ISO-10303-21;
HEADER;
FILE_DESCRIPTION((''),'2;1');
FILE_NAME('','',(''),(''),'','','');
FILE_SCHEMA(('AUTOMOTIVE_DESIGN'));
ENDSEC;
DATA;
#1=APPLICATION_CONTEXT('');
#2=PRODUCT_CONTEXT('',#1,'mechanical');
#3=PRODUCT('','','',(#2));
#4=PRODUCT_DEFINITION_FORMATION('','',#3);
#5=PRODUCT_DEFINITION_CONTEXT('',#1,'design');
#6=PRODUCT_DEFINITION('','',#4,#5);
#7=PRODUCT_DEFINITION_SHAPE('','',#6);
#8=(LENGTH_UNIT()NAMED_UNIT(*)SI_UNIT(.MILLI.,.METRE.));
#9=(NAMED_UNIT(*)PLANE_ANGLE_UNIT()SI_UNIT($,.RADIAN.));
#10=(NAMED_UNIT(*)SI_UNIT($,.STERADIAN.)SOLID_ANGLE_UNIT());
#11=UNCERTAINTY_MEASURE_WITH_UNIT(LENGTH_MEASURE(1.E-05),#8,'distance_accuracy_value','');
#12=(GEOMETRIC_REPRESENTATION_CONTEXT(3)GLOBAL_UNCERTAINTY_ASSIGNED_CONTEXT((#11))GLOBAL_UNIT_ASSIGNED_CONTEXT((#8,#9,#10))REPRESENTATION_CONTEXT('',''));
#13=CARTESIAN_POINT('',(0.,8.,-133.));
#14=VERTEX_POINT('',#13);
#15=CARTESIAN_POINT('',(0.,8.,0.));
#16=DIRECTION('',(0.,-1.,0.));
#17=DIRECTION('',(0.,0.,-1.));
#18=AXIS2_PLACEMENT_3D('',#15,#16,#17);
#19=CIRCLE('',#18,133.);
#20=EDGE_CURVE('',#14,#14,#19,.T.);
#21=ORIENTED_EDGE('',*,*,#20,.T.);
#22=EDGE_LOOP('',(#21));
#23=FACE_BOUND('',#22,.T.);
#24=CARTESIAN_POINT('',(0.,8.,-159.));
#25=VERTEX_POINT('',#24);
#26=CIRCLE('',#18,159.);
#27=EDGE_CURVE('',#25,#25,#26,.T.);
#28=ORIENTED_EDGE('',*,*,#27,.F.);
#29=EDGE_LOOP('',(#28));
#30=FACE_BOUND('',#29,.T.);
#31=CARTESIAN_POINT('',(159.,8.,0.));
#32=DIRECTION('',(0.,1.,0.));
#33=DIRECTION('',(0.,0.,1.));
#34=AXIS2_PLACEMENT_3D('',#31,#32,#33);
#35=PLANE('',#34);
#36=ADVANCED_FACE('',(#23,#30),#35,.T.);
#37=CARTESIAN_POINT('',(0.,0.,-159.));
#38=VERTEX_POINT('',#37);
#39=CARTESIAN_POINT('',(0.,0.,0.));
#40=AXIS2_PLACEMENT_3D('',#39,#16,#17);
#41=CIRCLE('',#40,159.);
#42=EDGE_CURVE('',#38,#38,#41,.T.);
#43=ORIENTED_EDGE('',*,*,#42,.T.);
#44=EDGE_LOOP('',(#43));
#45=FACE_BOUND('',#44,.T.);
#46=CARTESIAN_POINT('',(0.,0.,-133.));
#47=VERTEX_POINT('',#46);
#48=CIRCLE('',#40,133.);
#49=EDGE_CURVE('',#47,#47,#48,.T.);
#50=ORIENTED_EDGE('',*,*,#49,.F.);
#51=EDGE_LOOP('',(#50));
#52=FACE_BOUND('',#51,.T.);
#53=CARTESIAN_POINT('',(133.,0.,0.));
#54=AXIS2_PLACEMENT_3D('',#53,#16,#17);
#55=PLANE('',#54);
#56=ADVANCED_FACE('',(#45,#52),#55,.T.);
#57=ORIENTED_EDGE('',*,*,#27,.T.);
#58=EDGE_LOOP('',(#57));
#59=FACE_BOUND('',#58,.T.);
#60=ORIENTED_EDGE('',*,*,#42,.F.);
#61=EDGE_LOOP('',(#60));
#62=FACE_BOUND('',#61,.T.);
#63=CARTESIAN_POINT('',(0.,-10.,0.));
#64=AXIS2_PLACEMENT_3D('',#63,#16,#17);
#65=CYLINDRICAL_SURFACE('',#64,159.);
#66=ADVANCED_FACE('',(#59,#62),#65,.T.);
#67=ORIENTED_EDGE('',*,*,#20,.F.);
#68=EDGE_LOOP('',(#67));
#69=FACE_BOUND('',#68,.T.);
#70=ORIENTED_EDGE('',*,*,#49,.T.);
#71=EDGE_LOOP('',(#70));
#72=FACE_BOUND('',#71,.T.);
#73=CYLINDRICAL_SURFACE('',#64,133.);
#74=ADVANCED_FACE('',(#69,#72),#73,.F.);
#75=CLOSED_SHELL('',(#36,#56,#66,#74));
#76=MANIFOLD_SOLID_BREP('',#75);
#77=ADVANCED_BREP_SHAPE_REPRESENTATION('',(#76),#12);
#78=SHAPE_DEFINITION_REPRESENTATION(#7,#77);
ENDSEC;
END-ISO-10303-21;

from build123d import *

# Parameters (mm, degrees)
SKETCH1_W = 26
SKETCH1_H = 8


with BuildPart() as part:
    # Sketch1 → Steel Ballast Ring (revolve)
    with BuildSketch(Plane.XY, mode=Mode.PRIVATE) as steel_ballast_ring_sk:
        with Locations((146, 4)):
            Rectangle(SKETCH1_W, SKETCH1_H)
    revolve(steel_ballast_ring_sk.sketch.rotate(Axis((0, -10, 0), (0, 1, 0)), 90), axis=Axis((0, -10, 0), (0, 1, 0)))


solid = part.part
